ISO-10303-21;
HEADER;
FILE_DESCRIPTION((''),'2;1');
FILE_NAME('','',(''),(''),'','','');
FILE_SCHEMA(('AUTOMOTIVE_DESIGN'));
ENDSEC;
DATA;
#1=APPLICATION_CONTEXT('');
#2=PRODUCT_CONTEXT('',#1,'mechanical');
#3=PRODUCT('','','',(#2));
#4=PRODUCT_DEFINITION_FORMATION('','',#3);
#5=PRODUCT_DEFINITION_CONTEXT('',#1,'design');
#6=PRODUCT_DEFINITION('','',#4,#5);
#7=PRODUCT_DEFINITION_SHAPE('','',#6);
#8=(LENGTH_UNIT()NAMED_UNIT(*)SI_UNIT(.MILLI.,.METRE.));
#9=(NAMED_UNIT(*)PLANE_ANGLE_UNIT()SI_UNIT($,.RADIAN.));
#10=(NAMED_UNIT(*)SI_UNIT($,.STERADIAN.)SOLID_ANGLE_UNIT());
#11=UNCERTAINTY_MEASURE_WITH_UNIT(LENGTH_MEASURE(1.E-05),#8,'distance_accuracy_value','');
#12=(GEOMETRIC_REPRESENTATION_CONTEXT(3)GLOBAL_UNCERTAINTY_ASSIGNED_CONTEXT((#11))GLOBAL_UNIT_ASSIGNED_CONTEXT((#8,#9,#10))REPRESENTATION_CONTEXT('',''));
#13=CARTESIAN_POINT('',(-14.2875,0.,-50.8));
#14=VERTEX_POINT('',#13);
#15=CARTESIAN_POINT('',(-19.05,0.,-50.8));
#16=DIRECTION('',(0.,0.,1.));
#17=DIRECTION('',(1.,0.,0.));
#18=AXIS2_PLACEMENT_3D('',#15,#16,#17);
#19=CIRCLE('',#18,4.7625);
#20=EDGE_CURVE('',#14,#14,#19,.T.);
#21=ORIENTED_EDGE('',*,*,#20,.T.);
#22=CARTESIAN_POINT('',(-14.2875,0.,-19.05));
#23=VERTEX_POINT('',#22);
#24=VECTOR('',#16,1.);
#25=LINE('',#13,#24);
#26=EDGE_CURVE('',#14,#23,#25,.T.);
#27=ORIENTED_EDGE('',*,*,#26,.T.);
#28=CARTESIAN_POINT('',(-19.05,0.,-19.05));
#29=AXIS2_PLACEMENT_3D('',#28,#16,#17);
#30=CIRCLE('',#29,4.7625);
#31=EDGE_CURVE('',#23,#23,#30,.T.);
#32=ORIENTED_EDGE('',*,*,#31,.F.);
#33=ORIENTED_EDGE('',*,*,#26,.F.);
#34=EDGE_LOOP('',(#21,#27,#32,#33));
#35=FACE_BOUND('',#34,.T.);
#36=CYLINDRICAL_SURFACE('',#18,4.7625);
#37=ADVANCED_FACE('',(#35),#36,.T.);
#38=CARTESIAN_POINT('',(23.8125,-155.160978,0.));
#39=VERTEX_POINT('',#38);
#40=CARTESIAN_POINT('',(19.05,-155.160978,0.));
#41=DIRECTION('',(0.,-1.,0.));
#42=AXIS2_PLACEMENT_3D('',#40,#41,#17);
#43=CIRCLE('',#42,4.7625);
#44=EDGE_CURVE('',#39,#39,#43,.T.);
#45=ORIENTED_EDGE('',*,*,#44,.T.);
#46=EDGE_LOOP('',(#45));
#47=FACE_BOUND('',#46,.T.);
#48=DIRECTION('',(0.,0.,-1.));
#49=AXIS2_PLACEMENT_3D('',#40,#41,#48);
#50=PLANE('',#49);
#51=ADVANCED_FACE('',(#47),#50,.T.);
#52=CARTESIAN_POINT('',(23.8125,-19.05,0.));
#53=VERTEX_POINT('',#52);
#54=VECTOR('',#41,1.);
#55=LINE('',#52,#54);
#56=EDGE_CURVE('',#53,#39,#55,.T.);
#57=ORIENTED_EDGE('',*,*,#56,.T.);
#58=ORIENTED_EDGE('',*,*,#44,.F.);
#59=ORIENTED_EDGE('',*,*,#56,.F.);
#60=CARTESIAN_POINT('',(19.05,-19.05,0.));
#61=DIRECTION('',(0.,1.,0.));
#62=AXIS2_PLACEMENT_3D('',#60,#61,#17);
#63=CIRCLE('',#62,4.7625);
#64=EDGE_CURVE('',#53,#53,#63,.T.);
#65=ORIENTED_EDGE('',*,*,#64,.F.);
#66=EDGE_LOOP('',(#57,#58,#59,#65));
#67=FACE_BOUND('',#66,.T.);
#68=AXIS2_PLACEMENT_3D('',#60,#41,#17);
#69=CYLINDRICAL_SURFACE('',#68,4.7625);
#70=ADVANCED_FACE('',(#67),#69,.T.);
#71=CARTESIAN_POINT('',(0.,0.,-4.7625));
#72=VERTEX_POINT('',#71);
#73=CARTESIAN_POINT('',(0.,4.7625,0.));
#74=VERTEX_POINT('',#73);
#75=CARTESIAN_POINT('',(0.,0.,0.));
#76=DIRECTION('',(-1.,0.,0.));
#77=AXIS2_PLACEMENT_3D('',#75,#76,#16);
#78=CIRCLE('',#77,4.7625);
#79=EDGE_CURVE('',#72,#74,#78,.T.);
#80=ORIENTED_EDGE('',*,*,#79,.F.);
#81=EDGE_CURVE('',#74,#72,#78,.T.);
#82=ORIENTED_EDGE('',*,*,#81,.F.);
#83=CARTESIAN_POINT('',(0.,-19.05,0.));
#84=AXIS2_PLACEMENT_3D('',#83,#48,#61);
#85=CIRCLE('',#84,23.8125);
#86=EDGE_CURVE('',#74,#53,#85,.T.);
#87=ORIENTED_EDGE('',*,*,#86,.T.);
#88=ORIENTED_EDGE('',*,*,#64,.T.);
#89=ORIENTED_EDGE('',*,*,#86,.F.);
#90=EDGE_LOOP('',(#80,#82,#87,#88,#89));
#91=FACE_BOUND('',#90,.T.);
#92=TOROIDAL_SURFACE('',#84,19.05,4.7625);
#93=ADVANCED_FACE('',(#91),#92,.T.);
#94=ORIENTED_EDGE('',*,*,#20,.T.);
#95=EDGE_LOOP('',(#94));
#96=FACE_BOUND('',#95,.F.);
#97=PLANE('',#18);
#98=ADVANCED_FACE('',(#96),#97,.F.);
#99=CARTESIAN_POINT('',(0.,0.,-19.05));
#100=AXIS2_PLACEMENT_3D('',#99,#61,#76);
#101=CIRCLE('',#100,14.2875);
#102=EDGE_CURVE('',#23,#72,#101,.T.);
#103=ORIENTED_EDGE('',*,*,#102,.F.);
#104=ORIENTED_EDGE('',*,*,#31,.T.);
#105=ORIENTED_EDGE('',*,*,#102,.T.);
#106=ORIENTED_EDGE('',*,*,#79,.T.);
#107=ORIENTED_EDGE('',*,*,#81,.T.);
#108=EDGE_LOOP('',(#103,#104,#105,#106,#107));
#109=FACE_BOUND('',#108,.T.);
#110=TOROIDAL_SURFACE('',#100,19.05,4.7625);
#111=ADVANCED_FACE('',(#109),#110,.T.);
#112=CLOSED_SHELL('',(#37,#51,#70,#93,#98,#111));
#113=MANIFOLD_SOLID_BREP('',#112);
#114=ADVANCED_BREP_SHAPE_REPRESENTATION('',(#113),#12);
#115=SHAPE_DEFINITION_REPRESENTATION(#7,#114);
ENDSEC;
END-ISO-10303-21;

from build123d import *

# Parameters (mm, degrees)
F2_R = 4.7625
F5_R = 4.7625


with BuildPart() as f3:
    # F3: sweep along a path in F0
    with BuildLine(Plane.XZ) as f3_path:
        Line((-19.05, -50.8), (-19.05, -19.05))
        ThreePointArc((-19.05, -19.05), (-13.4703841816, -5.5796158184), (0, 0))
    # F2 (on plane+point) → F3 (sweep)
    with BuildSketch(Plane.XY.offset(-50.8)):
        with Locations((-19.05, 0)):
            Circle(F2_R)
    sweep(path=f3_path.line)

    # F6: sweep along a path in F4
    with BuildLine(Plane.XY) as f6_path:
        ThreePointArc((0, 0), (13.4703841816, -5.5796158184), (19.05, -19.05))
        Line((19.05, -19.05), (19.05, -155.160978115))
    # F5 (on face) → F6 (sweep)
    with BuildSketch(Plane.YZ):
        Circle(F5_R)
    sweep(path=f6_path.line)


solid = f3.part
